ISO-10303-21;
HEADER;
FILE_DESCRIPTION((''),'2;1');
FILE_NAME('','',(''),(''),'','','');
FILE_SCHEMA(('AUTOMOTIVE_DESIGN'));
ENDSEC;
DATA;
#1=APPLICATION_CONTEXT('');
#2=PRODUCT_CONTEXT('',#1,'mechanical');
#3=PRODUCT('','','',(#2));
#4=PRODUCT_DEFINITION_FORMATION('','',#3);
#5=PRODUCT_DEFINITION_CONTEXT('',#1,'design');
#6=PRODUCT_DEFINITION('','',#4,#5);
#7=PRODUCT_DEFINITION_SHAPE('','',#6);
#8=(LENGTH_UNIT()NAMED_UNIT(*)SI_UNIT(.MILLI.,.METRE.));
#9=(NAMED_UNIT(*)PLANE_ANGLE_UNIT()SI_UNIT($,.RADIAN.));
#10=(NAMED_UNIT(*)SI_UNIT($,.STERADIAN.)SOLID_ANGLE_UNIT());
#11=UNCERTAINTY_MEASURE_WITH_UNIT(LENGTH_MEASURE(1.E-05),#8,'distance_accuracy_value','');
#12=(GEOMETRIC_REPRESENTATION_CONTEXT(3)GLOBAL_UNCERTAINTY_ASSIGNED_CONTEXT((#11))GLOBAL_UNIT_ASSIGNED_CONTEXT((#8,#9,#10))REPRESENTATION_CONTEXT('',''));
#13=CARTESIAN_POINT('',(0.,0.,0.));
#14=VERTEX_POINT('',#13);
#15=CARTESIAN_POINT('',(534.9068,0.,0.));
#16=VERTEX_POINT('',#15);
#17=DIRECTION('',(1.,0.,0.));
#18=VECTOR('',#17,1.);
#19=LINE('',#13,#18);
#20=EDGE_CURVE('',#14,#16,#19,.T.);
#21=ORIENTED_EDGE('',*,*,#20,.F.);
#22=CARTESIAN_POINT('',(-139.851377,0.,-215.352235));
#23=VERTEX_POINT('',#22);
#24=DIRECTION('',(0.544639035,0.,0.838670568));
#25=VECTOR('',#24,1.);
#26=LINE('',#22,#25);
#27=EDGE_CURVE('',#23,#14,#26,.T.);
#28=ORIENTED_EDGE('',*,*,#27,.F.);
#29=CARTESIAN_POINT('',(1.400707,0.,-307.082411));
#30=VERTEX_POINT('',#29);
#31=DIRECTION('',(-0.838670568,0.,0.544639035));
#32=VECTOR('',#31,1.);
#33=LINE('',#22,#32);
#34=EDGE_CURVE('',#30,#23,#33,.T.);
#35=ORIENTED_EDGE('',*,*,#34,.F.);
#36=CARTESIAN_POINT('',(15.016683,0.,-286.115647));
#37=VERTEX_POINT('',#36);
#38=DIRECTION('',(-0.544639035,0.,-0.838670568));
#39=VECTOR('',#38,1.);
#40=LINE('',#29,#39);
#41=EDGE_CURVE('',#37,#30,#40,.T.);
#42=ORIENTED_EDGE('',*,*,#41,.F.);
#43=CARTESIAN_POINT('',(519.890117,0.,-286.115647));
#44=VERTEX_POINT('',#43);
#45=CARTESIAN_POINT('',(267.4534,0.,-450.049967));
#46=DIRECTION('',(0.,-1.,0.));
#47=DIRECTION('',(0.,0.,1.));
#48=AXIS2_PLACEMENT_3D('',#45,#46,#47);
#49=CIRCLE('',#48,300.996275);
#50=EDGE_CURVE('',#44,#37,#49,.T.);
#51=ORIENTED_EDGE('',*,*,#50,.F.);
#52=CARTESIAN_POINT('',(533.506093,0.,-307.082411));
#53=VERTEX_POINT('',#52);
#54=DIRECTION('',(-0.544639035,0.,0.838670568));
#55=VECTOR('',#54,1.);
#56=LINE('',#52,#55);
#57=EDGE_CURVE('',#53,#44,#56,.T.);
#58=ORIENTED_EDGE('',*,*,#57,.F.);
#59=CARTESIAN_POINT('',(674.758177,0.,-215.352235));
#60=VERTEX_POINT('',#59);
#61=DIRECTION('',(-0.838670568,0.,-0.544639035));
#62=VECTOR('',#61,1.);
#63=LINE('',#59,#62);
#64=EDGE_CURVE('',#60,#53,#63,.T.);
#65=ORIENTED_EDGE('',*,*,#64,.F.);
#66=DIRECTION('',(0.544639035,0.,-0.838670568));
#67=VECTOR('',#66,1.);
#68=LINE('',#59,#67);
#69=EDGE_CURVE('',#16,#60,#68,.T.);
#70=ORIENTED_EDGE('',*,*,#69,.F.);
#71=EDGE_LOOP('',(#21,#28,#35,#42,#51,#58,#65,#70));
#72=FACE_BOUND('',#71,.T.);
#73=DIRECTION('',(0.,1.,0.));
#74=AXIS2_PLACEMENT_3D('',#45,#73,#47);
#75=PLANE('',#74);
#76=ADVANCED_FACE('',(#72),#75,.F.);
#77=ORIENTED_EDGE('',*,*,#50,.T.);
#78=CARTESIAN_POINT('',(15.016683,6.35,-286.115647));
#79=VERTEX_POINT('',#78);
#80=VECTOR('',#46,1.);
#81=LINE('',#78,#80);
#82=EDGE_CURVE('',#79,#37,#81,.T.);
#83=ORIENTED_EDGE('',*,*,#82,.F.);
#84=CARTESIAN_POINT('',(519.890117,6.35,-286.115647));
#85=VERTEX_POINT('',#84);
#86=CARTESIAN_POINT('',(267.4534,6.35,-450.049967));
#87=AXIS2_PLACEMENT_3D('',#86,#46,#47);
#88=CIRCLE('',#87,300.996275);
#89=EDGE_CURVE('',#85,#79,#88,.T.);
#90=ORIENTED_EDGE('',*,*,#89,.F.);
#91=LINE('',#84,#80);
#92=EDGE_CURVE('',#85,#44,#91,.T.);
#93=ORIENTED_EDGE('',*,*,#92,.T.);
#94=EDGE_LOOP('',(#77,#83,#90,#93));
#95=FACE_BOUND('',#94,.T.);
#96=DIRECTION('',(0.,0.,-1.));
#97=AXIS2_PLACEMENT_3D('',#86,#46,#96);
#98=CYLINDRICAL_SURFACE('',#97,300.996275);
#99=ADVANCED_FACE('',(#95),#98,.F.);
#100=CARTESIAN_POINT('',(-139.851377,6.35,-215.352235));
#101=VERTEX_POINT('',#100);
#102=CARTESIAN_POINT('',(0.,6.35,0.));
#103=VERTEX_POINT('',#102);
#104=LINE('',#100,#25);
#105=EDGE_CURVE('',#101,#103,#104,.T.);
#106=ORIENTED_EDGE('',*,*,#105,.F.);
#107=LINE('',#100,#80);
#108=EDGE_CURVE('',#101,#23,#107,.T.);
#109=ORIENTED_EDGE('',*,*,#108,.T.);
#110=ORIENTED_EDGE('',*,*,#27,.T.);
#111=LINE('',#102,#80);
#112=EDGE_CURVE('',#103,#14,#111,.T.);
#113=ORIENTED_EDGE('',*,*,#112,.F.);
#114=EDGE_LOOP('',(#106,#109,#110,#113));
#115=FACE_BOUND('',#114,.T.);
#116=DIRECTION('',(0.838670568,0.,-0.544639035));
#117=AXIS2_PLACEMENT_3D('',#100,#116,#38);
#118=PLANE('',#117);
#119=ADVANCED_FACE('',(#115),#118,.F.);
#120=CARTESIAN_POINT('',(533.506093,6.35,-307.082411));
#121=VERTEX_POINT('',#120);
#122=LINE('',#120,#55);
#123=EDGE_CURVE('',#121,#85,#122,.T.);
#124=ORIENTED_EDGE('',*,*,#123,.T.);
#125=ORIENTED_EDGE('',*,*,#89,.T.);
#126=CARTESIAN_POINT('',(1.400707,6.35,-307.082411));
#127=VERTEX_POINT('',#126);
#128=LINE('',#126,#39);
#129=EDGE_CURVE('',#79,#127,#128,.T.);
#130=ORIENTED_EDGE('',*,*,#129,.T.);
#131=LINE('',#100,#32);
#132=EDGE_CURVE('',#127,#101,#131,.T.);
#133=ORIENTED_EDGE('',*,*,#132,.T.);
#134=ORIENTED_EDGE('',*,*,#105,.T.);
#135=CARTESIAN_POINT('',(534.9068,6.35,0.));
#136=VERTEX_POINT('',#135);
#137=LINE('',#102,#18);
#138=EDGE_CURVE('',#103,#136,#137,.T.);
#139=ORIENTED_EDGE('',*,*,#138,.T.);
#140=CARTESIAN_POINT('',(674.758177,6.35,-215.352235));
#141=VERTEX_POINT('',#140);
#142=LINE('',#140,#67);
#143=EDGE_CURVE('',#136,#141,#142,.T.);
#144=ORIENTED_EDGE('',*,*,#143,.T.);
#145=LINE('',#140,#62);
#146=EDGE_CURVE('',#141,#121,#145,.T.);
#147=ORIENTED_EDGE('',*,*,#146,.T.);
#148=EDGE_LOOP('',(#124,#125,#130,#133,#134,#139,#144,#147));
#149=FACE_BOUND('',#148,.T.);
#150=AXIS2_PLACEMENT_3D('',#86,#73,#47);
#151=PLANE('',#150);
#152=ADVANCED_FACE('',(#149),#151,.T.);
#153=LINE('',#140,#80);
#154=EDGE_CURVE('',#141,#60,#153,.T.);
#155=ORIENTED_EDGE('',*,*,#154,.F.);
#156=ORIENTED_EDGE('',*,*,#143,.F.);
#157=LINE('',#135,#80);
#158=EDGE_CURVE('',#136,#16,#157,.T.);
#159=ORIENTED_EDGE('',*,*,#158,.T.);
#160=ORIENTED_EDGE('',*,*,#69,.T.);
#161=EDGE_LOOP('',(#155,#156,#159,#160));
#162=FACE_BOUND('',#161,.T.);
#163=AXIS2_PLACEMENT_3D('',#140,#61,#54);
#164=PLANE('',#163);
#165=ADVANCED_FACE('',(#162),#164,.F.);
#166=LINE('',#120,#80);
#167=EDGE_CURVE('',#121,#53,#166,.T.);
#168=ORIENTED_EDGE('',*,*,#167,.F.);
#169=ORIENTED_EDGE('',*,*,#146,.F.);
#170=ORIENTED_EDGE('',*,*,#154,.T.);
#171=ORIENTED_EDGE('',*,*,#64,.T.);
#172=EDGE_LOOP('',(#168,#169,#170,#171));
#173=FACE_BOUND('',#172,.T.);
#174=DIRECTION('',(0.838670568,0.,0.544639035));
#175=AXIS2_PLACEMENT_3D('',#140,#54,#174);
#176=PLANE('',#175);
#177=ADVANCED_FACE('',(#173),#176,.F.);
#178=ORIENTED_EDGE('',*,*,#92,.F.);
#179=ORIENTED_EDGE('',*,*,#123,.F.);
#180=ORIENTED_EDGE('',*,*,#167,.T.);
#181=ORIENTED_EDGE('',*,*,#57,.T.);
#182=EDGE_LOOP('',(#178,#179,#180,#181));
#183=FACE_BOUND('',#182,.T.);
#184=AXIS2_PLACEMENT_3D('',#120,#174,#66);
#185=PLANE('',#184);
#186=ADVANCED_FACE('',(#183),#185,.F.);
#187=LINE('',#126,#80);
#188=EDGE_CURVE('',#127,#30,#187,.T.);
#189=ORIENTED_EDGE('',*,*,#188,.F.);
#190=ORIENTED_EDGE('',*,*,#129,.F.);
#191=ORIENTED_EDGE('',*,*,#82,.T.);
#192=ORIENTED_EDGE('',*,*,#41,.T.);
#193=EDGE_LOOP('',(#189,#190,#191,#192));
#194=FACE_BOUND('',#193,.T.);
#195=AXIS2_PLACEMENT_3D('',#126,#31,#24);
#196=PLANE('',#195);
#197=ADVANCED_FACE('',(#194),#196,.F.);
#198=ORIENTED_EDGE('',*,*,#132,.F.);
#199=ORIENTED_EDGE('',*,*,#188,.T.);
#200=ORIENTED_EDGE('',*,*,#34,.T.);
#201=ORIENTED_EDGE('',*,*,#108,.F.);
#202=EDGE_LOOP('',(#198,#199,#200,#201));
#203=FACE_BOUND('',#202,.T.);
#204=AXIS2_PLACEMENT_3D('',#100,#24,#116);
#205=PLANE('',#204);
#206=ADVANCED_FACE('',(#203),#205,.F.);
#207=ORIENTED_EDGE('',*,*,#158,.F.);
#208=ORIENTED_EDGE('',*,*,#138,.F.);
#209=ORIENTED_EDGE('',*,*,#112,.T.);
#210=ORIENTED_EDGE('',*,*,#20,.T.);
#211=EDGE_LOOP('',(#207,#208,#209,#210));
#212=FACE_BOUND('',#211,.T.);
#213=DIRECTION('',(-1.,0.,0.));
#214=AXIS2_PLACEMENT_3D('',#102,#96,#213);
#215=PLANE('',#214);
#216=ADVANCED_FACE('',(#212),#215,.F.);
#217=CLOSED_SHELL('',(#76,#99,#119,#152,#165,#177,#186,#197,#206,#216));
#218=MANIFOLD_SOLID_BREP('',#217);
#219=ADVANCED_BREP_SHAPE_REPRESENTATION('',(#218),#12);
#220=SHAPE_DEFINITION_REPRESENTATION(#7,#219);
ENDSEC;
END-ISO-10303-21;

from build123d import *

# Parameters (mm, degrees)
BOSS_EXTRUDE1_DEPTH = 6.35


with BuildPart() as part:
    # Sketch1 → Boss-Extrude1 (new body)
    with BuildSketch(Plane(origin=(0, 0, 0), x_dir=(1, 0, 0), z_dir=(0, 1, 0))):
        with BuildLine():
            Line((0, 0), (534.9068, 0))
            Line((534.9068, 0), (674.758176597, 215.352234963))
            Line((674.758176597, 215.352234963), (533.506092595, 307.082410869))
            Line((533.506092595, 307.082410869), (519.89011672, 286.11564667))
            ThreePointArc((519.89011672, 286.11564667), (267.4534, 149.053692529), (15.01668328, 286.11564667))
            Line((15.01668328, 286.11564667), (1.400707405, 307.082410869))
            Line((1.400707405, 307.082410869), (-139.851376597, 215.352234963))
            Line((-139.851376597, 215.352234963), (0, 0))
        make_face()
    extrude(amount=BOSS_EXTRUDE1_DEPTH)


solid = part.part
